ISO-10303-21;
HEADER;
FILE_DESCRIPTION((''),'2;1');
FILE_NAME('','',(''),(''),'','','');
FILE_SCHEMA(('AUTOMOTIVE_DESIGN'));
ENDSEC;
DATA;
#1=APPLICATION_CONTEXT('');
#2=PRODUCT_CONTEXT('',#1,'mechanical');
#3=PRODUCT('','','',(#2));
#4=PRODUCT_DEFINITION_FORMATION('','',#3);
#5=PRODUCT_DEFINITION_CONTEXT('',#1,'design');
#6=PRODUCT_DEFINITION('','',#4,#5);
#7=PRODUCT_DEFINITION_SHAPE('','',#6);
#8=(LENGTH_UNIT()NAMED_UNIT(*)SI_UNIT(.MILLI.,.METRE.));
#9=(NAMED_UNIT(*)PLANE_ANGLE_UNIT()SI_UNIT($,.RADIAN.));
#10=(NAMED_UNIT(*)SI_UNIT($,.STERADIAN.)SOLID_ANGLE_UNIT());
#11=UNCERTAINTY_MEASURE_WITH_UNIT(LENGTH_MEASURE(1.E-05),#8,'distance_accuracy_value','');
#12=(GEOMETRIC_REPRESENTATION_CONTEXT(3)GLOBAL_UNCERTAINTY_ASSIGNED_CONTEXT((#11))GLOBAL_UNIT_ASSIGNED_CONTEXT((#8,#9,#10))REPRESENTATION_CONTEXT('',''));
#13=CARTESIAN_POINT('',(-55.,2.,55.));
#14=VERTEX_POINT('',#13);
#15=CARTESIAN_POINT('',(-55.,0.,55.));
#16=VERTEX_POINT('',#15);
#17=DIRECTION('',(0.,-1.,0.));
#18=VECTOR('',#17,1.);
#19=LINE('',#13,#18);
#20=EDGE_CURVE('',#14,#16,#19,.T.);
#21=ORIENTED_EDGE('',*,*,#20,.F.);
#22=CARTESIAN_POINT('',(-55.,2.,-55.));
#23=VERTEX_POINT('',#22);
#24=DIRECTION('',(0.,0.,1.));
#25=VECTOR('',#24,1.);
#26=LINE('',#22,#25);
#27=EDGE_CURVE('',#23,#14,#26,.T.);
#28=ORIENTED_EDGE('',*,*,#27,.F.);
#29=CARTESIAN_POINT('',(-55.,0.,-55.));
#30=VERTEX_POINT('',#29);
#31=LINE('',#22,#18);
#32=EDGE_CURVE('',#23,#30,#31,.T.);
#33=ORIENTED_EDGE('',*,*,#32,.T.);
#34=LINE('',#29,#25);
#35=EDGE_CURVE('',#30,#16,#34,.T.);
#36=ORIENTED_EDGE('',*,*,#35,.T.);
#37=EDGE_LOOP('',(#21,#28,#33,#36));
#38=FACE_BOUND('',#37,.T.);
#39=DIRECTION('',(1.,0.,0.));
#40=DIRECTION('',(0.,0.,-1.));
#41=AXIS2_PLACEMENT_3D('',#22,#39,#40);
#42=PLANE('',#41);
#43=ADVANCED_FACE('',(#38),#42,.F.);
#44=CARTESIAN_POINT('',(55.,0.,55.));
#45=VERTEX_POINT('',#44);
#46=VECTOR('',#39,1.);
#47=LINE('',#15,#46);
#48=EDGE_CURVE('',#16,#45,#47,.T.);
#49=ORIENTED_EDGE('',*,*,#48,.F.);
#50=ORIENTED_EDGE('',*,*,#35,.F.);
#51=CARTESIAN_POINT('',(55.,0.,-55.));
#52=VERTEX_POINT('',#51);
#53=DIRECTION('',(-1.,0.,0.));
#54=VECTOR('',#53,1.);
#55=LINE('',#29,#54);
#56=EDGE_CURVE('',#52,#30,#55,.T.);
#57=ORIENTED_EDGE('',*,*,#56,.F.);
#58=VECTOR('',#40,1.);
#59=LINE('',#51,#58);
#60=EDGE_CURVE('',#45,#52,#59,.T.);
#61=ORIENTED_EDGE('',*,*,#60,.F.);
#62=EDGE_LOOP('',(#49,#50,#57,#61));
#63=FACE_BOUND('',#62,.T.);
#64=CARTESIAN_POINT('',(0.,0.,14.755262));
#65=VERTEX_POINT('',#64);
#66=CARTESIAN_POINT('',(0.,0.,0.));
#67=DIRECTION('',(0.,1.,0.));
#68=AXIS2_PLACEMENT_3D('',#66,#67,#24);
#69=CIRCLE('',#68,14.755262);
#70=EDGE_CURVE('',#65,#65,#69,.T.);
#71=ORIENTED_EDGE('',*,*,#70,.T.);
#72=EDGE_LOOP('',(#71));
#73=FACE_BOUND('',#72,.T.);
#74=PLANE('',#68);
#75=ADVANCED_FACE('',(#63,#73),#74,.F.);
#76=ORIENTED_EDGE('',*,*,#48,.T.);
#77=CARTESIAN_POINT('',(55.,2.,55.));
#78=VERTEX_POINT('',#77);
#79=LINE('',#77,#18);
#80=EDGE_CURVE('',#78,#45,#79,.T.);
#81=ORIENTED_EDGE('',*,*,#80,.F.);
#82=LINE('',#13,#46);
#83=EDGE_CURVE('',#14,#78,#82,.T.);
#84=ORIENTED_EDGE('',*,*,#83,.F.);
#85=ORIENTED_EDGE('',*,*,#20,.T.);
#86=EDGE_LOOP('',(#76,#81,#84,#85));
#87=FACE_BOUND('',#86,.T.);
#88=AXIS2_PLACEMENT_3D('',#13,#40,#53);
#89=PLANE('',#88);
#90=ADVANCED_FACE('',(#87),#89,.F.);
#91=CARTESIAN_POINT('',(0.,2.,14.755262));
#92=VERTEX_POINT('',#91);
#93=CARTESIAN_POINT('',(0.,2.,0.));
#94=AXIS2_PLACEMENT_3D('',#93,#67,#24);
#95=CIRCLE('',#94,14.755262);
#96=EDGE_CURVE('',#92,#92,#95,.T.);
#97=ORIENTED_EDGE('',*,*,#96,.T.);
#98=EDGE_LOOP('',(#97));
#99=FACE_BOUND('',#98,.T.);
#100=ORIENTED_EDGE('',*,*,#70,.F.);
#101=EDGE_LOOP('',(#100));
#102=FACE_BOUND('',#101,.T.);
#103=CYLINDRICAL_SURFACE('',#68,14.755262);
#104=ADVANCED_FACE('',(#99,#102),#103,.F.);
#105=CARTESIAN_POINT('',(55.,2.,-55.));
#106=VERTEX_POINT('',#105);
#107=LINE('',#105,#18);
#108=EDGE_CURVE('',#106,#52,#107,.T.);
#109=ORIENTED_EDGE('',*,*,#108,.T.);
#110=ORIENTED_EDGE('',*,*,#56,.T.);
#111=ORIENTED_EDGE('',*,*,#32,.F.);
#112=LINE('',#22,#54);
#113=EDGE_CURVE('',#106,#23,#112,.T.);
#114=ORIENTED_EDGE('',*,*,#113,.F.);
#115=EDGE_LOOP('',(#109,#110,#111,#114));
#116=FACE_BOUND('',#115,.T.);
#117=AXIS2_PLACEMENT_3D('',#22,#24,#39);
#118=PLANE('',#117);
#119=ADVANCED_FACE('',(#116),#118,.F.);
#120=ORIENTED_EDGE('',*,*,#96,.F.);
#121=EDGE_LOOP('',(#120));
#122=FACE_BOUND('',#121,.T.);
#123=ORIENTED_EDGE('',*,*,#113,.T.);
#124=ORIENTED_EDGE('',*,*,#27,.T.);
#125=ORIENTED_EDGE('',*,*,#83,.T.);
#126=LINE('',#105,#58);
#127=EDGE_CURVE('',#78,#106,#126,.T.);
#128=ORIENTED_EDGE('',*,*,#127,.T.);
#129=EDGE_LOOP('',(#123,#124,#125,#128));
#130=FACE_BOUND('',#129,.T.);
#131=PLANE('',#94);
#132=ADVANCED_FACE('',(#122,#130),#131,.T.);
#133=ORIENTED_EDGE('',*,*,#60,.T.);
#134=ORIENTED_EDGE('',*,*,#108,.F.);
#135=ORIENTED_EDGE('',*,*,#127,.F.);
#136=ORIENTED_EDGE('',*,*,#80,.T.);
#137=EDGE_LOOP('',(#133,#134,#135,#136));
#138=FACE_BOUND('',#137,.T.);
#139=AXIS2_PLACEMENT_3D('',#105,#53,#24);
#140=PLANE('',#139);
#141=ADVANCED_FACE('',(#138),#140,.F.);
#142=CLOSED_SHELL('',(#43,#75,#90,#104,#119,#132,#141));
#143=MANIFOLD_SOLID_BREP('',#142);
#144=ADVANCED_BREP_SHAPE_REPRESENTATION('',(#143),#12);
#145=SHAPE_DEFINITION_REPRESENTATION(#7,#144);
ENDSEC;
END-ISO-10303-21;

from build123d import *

# Parameters (mm, degrees)
SKETCH1_W           = 110
SKETCH1_H           = 110
BOSS_EXTRUDE1_DEPTH = 2
SKETCH2_R           = 14.755262175
CUT_EXTRUDE1_DEPTH  = 78.807454656


with BuildPart() as part:
    # Sketch1 → Boss-Extrude1 (new body)
    with BuildSketch(Plane(origin=(0, 0, 0), x_dir=(1, 0, 0), z_dir=(0, 1, 0))):
        Rectangle(SKETCH1_W, SKETCH1_H)
    extrude(amount=BOSS_EXTRUDE1_DEPTH)

    # Sketch2 → Cut-Extrude1 (cut, through all)
    with BuildSketch(Plane(origin=(0, 2, 0), x_dir=(1, 0, 0), z_dir=(0, 1, 0))):
        with Locations(Location((0, 0, 0), (0, 0, 270))):
            Circle(SKETCH2_R)
    extrude(amount=-CUT_EXTRUDE1_DEPTH, mode=Mode.SUBTRACT)


solid = part.part
